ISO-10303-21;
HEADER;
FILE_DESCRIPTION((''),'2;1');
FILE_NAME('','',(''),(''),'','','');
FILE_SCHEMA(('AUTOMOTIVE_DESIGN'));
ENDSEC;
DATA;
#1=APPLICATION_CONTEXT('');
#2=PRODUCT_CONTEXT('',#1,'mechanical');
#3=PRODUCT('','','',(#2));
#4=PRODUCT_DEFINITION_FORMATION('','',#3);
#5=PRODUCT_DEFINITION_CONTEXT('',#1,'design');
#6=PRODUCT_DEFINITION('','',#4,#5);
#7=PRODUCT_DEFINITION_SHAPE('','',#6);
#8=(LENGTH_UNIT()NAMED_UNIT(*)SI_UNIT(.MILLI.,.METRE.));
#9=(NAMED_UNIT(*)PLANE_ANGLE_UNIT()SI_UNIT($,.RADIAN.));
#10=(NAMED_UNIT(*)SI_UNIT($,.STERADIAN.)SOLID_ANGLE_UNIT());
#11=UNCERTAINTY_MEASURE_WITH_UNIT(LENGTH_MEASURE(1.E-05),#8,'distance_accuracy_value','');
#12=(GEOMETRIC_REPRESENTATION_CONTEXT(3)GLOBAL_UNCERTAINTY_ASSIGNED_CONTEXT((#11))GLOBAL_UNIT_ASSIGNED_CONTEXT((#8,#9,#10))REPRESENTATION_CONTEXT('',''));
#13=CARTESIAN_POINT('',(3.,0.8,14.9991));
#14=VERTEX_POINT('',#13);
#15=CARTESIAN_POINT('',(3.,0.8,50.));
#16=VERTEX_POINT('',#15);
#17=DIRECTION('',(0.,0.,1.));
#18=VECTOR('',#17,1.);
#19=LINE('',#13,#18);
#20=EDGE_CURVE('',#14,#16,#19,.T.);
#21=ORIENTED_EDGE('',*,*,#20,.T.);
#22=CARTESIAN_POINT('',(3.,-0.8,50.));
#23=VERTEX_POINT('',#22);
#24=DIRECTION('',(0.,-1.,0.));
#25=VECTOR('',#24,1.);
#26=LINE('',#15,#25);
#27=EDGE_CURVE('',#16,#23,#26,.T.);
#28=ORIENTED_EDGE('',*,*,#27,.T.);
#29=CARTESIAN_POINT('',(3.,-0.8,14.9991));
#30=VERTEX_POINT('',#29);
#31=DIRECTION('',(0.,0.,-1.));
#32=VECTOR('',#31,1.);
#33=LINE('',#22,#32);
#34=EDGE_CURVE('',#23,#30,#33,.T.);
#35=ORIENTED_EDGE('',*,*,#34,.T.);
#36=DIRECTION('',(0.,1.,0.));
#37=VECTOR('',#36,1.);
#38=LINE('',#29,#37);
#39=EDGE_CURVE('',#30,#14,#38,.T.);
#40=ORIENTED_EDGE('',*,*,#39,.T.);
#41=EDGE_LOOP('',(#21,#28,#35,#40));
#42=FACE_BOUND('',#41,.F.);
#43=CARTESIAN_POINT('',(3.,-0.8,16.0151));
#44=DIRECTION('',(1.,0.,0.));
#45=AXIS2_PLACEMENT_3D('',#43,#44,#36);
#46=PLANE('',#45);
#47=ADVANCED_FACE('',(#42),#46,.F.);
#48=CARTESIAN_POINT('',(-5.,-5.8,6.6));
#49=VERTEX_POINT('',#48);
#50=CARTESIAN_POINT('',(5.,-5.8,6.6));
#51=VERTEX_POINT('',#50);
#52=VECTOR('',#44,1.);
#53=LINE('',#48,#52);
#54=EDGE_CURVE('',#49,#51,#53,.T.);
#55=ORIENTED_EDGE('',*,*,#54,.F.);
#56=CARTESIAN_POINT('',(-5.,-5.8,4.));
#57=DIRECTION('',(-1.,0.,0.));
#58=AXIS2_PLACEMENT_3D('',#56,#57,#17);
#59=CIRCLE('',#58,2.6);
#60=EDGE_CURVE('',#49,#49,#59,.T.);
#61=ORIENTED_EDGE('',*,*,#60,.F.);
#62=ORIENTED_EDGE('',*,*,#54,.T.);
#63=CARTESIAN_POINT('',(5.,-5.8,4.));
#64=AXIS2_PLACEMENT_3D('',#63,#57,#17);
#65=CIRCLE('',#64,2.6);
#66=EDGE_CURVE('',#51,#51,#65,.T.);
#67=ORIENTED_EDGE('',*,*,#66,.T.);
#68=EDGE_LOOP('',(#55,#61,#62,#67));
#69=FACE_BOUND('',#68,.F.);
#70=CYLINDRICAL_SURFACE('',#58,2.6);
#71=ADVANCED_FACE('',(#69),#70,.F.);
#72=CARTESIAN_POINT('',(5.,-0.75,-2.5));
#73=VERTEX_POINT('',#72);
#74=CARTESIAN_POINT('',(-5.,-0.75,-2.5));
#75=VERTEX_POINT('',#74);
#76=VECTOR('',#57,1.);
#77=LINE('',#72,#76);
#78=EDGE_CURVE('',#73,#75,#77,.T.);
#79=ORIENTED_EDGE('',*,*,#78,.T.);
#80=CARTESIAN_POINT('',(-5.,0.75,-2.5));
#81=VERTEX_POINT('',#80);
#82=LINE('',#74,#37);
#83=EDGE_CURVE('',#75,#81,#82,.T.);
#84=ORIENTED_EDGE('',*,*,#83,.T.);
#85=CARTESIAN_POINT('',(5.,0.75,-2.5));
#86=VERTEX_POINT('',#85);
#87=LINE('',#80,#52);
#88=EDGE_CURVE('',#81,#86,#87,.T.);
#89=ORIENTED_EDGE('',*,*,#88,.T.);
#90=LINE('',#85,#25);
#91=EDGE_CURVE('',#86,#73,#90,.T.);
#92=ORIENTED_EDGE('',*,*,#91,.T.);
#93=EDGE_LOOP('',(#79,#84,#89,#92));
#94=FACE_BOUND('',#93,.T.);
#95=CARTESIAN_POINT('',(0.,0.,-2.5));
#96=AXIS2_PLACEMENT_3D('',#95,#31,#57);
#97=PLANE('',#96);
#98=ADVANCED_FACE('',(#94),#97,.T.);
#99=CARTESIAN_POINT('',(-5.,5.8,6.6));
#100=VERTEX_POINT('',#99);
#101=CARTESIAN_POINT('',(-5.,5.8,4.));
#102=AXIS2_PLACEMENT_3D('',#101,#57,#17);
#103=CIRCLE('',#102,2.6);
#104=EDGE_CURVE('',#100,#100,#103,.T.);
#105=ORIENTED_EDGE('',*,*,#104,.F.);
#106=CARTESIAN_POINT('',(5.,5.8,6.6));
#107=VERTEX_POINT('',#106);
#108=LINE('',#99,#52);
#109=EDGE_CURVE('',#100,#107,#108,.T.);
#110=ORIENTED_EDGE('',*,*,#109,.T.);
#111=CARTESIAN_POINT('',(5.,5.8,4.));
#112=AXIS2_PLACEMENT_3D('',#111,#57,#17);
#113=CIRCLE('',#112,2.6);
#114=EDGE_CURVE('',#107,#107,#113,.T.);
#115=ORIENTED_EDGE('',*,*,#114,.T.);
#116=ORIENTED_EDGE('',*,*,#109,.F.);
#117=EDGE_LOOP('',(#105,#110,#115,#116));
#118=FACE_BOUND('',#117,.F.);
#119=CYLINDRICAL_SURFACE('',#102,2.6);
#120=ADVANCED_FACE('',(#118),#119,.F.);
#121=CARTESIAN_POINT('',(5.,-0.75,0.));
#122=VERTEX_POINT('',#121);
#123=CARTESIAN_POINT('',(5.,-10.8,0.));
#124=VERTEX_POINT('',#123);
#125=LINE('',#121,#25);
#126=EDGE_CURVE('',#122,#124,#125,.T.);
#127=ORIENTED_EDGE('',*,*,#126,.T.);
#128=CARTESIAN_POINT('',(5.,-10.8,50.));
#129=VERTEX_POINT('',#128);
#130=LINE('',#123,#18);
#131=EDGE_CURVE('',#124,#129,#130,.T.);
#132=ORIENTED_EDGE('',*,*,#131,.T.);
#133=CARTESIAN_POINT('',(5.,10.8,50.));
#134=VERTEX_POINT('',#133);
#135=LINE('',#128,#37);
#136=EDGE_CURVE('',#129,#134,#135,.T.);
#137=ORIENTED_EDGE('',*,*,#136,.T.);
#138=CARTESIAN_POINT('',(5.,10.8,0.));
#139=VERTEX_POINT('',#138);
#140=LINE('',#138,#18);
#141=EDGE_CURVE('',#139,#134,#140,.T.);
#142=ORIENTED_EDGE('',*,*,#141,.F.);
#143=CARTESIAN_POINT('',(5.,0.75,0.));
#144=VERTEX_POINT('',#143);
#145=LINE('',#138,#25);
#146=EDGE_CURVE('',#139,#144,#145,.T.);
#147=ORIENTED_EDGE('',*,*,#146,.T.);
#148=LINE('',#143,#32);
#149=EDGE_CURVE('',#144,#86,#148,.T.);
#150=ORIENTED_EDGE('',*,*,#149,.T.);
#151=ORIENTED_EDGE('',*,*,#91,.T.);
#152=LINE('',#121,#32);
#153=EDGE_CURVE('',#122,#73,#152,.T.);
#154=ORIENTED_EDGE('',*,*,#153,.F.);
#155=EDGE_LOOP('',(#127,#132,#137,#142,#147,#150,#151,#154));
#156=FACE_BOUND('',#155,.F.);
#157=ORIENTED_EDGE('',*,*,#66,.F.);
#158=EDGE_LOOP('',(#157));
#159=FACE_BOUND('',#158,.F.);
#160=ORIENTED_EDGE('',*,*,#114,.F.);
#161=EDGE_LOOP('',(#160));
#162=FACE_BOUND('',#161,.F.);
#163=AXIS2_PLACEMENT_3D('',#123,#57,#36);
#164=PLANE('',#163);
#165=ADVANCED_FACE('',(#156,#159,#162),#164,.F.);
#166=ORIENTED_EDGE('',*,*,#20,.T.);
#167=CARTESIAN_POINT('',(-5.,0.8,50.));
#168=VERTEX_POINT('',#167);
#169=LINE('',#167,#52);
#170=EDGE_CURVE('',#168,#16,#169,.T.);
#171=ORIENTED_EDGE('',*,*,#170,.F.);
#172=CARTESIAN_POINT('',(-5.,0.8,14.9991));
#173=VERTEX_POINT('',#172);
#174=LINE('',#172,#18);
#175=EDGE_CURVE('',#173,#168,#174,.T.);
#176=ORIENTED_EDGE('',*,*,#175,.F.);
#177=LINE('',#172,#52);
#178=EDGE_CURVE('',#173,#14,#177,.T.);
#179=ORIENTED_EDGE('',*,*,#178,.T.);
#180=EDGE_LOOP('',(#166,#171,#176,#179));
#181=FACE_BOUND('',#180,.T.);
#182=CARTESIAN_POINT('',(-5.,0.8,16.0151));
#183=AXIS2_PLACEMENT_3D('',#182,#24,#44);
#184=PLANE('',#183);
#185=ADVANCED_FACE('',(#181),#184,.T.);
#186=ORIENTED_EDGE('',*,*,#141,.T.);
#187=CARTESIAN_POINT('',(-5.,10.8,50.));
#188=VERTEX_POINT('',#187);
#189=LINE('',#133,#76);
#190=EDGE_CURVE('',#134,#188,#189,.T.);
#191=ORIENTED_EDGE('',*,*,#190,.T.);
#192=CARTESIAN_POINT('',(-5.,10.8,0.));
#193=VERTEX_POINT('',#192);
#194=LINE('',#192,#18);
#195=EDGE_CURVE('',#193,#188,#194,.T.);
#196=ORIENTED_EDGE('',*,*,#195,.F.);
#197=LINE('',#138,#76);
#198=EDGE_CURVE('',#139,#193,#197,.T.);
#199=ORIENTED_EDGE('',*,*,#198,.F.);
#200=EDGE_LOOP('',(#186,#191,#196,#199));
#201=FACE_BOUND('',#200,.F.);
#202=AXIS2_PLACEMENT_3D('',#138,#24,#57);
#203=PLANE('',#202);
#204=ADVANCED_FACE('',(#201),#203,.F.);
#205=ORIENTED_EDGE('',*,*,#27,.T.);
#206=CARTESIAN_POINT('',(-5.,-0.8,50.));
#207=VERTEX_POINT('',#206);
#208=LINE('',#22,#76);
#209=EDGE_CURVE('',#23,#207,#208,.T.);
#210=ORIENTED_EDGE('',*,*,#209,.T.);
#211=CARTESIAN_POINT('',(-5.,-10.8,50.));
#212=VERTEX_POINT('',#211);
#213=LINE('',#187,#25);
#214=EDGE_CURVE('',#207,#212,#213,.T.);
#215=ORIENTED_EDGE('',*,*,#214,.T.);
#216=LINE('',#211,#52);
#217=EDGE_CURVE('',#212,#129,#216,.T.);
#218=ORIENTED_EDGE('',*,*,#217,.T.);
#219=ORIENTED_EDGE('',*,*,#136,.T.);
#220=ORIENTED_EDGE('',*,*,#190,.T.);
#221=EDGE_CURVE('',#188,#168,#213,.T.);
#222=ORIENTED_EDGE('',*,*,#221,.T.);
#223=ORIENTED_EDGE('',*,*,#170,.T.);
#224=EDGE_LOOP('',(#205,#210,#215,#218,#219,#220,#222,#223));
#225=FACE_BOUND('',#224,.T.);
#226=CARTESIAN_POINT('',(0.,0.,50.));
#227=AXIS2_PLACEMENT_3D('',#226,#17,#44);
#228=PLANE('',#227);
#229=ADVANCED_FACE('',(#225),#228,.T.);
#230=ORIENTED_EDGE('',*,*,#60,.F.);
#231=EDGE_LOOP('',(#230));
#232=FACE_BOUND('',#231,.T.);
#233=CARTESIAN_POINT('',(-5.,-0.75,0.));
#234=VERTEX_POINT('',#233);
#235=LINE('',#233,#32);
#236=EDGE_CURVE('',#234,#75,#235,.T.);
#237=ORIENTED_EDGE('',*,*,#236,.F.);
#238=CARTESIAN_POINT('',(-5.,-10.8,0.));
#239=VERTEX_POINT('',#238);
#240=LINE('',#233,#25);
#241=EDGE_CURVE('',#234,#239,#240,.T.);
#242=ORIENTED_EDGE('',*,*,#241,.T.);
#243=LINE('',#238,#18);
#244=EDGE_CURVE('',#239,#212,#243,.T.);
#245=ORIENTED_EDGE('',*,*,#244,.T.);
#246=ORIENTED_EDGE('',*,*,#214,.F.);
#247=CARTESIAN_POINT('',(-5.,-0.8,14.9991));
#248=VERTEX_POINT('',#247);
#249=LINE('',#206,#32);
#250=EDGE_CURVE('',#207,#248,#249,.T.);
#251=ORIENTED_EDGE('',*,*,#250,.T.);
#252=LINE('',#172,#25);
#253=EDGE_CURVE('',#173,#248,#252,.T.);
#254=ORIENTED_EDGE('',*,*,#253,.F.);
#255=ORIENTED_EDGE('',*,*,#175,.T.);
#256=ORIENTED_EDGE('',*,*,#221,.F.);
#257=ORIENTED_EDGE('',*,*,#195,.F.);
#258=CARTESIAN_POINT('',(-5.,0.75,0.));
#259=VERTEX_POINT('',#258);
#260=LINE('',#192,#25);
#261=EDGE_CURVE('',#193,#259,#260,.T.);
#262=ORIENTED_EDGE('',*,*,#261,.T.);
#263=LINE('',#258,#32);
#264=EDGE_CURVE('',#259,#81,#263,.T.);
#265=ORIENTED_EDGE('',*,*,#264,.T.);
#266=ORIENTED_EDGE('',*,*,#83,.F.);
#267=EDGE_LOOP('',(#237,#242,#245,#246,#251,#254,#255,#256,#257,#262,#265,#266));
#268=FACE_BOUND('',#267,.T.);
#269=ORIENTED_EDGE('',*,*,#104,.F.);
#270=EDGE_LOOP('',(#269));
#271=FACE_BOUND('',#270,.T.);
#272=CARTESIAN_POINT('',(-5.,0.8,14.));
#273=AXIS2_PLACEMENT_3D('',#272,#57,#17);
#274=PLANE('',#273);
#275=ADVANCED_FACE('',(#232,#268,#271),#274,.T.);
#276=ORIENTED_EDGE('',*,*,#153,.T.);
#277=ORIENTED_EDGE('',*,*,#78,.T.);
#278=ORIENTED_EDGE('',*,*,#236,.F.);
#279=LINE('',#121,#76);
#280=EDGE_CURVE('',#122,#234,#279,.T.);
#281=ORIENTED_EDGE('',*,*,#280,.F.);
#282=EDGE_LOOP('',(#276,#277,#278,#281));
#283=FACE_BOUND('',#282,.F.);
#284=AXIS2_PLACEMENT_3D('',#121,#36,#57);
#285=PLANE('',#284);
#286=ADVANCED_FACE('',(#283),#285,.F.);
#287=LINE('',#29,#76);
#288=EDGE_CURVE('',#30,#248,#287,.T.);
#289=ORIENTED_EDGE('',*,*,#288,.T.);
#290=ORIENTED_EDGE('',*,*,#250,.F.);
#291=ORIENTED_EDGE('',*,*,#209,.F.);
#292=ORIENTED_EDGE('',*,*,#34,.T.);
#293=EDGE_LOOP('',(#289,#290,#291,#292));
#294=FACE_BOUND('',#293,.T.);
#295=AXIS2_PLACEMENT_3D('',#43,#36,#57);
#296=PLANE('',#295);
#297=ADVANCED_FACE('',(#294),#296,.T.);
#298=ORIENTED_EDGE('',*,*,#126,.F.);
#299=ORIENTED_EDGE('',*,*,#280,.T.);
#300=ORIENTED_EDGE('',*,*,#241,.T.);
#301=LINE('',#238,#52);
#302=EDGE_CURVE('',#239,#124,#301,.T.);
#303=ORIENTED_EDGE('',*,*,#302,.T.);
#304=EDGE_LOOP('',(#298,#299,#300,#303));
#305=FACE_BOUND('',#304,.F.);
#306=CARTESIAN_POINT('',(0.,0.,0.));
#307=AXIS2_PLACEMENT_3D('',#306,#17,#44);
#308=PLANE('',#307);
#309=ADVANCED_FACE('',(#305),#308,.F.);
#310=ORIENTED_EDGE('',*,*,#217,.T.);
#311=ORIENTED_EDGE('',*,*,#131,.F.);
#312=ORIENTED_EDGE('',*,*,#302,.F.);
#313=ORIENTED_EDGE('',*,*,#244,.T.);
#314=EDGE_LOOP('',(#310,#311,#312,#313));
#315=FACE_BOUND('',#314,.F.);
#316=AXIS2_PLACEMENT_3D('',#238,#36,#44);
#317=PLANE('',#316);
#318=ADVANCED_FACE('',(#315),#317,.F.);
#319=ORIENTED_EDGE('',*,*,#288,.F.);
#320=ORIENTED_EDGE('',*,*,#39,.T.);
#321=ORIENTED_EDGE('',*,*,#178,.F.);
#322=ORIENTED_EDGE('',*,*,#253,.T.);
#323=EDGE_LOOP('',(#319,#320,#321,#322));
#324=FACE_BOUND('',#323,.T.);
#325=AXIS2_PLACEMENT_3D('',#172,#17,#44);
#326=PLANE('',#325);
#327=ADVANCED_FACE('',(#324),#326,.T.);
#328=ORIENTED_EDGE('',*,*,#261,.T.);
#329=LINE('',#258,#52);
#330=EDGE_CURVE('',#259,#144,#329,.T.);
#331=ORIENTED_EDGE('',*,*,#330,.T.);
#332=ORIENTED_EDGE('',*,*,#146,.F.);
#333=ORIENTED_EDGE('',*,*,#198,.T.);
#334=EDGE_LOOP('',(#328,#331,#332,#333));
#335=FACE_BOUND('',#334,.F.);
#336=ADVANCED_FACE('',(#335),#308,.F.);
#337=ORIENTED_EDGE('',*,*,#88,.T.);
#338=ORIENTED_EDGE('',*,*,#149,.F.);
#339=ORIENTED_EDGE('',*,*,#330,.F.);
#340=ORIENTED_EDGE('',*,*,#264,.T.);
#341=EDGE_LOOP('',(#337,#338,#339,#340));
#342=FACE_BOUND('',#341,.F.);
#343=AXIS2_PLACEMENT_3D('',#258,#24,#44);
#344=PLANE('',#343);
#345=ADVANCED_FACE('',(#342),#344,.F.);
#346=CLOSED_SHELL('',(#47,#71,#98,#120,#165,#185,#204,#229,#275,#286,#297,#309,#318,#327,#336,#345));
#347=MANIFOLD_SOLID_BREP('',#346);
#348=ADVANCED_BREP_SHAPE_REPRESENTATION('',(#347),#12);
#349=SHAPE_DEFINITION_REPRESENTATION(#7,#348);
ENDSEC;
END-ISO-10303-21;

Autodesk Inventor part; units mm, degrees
ref_plane "YZ Plane" through (0, 0, 0) normal (1, 0, 0) x (0, 1, 0)
ref_plane "XZ Plane" through (0, 0, 0) normal (0, 1, 0) x (-1, 0, 0)
ref_plane "XY Plane" through (0, 0, 0) normal (0, 0, 1) x (1, 0, 0)
sketch "Skizze1" plane through (0, 0, 0) normal (0, 0, 1) x (1, 0, 0)
  line L0 (-5, -10.8) -> (5, -10.8)
  line L1 (5, -10.8) -> (5, 10.8)
  line L2 (5, 10.8) -> (-5, 10.8)
  line L3 (-5, 10.8) -> (-5, -10.8)
  line L4 (-5, -10.8) -> (5, 10.8) construction
  line L5 (5, -10.8) -> (-5, 10.8) construction
  point P0 (0, 0)
  dimension "d0" = 10
  dimension "d1" = 21.6
extrude "Extrusion1" add sketch "Skizze1" along normal blind 50
sketch "Skizze2" plane through (0, 0, 50) normal (0, 0, 1) x (1, 0, 0)
  line L0 (-5, 10.8) -> (-5, -10.8) projected
  line L1 (-5, 0.8) -> (3, 0.8)
  line L2 (3, 0.8) -> (3, -0.8)
  line L3 (3, -0.8) -> (-5, -0.8)
  line L4 (-5, -0.8) -> (-5, 0.8)
  line L5 (5, -10.8) -> (5, 10.8) projected
  point P0 (0, 0)
  dimension "d4" = 1.6
  dimension "d5" = 0.8
  dimension "d7" = 2
extrude "Extrusion2" cut sketch "Skizze2" against normal blind 36
sketch "Skizze3" plane through (5, -10.8, 0) normal (1, 0, 0) x (0, 0, -1)
  point P0 (0, 10.8)
sketch "Skizze4" plane through (-5, 10.8, 0) normal (-1, 0, 0) x (0, 0, 1)
  line L0 (0, 0) -> (0, -21.6) projected
  line L1 (0, 0) -> (0, -21.6) projected
  line L2 (0, -21.6) -> (50, -21.6) projected
  line L3 (0, 0) -> (50, 0) projected
  circle A0 centre (4, -5) radius 2.6
  circle A1 centre (4, -16.6) radius 2.6
  point P0 (0, -10.8)
  point P1 (0, -10)
  point P2 (0, -11.6)
  dimension "d10" = 4
  dimension "d11" = 4
  dimension "d12" = 5
  dimension "d13" = 5
  dimension "d14" = 5.2
  dimension "d15" = 5.2
extrude "Extrusion3" cut sketch "Skizze4" against normal blind 35
sketch "Skizze5" plane through (0, 0, 0) normal (0, 0, -1) x (-1, 0, 0)
  line L0 (-5, -0.75) -> (5, -0.75)
  line L1 (5, -0.75) -> (5, 0.75)
  line L2 (5, 0.75) -> (-5, 0.75)
  line L3 (-5, 0.75) -> (-5, -0.75)
  line L4 (-5, -10.8) -> (-5, 10.8) projected
  point P0 (0, 0)
  point P1 (-5, 0)
  dimension "d18" = 1.5
  dimension "d19" = 10
  dimension "d20" = 0
  dimension "d21" = 0.75
extrude "Extrusion4" add sketch "Skizze5" along normal blind 2.5
sketch "Skizze7" plane through (-5, 0.8, 50) normal (0, -1, 0) x (1, 0, 0)
  line L0 (0, -36) -> (0, 0) projected
  line L1 (10, -50) -> (0, -50)
  line L2 (0, -50) -> (0, -33.9849)
  line L3 (0, -33.9849) -> (10, -33.9849)
  line L4 (10, -33.9849) -> (10, -50)
  point P0 (5, -50)
  point P1 (0, -35)
extrude "Extrusion5" add sketch "Skizze7" along normal blind 2.5
sketch "Skizze8" plane through (-5, 0.8, 16.0151) normal (0, 0, 1) x (1, 0, 0)
  line L0 (0, 0) -> (8, 0) projected
  line L1 (8, -1.6) -> (0, -1.6) projected
  line L2 (8, 0) -> (0, 0)
  line L3 (0, 0) -> (0, -1.6)
  line L4 (0, -1.6) -> (8, -1.6)
  line L5 (8, -1.6) -> (8, 0)
  point P0 (5, -0.8)
extrude "Extrusion6" cut sketch "Skizze8" against normal blind 1.016
properties part number "Objektträgerhalterung PHM Projekt Gegenstück"
